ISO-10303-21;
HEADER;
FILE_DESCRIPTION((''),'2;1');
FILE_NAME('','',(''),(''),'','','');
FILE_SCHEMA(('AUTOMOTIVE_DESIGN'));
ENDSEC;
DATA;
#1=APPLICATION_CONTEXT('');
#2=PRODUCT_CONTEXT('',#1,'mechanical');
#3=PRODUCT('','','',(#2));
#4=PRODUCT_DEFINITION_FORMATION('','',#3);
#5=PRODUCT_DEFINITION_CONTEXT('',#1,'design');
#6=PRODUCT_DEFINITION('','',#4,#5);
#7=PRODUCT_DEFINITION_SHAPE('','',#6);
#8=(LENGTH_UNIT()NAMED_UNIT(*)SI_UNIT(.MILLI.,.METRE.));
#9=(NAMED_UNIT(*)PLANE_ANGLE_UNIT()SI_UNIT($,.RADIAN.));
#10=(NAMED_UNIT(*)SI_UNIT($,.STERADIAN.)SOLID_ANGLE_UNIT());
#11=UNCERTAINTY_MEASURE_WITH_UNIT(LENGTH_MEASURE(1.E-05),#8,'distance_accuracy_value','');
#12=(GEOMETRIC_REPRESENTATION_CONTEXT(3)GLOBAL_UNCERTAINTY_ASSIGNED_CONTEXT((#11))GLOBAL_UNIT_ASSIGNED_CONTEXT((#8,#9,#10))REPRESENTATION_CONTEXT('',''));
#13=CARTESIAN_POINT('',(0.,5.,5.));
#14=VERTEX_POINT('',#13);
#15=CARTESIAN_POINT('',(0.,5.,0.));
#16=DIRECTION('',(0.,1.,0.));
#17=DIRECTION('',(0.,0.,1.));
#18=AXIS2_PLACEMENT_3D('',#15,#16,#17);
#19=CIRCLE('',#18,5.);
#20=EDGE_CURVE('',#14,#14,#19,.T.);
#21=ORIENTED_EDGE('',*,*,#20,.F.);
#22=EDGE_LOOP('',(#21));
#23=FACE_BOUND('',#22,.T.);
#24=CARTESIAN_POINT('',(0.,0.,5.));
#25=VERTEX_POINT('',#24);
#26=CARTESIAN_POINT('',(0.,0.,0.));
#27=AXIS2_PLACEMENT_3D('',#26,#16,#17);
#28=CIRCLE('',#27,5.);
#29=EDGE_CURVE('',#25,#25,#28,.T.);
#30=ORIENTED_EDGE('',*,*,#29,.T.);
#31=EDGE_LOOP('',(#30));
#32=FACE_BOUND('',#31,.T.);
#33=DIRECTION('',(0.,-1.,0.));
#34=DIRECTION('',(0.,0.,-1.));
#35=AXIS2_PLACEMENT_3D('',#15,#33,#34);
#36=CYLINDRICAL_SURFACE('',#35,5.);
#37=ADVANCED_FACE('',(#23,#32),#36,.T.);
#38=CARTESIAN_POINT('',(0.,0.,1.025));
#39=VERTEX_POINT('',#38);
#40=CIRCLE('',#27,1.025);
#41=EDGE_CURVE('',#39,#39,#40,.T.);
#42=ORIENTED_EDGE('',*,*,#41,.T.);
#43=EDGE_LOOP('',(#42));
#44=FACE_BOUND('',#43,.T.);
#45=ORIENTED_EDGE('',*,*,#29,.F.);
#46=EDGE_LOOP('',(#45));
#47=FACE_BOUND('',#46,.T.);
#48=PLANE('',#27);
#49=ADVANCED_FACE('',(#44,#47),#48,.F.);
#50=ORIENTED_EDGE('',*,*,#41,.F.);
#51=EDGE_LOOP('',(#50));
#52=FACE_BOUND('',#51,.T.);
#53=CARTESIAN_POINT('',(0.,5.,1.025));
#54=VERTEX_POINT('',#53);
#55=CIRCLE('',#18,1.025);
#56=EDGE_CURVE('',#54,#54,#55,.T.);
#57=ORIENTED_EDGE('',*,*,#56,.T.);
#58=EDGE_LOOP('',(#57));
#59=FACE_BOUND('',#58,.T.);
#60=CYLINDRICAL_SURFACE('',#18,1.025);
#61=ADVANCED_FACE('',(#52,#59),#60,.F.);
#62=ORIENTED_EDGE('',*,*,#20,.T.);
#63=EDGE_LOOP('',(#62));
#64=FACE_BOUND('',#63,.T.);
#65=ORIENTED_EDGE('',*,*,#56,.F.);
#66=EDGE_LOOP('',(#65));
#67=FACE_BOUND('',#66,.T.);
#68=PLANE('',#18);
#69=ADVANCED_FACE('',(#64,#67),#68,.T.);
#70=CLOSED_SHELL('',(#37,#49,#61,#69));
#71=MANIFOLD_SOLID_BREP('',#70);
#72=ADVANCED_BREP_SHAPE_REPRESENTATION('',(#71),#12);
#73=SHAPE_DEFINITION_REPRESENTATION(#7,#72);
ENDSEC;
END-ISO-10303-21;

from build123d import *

# Parameters (mm, degrees)
SKETCH1_R                    = 5
BOSS_EXTRUDE1_DEPTH          = 5
M2_5X0_45_TAPPED_HOLE1_D     = 2.05
M2_5X0_45_TAPPED_HOLE1_DEPTH = 7.25
M2_5X0_45_TAPPED_HOLE1_TIP   = 0.615882135


with BuildPart() as part:
    # Sketch1 → Boss-Extrude1 (new body)
    with BuildSketch(Plane(origin=(0, 0, 0), x_dir=(1, 0, 0), z_dir=(0, 1, 0))):
        with Locations(Location((0, 0, 0), (0, 0, 270))):
            Circle(SKETCH1_R)
    extrude(amount=BOSS_EXTRUDE1_DEPTH)

    # M2.5x0.45 Tapped Hole1
    with Locations(Plane(origin=(0, 5, 0), x_dir=(1, 0, 0), z_dir=(0, 1, 0))):
        with Locations((0, 0)):
            Hole(M2_5X0_45_TAPPED_HOLE1_D / 2, depth=M2_5X0_45_TAPPED_HOLE1_DEPTH)
            with Locations((0, 0, -(M2_5X0_45_TAPPED_HOLE1_DEPTH + M2_5X0_45_TAPPED_HOLE1_TIP / 2))):  # 118° drill point
                Cone(0, M2_5X0_45_TAPPED_HOLE1_D / 2, M2_5X0_45_TAPPED_HOLE1_TIP, mode=Mode.SUBTRACT)


solid = part.part
